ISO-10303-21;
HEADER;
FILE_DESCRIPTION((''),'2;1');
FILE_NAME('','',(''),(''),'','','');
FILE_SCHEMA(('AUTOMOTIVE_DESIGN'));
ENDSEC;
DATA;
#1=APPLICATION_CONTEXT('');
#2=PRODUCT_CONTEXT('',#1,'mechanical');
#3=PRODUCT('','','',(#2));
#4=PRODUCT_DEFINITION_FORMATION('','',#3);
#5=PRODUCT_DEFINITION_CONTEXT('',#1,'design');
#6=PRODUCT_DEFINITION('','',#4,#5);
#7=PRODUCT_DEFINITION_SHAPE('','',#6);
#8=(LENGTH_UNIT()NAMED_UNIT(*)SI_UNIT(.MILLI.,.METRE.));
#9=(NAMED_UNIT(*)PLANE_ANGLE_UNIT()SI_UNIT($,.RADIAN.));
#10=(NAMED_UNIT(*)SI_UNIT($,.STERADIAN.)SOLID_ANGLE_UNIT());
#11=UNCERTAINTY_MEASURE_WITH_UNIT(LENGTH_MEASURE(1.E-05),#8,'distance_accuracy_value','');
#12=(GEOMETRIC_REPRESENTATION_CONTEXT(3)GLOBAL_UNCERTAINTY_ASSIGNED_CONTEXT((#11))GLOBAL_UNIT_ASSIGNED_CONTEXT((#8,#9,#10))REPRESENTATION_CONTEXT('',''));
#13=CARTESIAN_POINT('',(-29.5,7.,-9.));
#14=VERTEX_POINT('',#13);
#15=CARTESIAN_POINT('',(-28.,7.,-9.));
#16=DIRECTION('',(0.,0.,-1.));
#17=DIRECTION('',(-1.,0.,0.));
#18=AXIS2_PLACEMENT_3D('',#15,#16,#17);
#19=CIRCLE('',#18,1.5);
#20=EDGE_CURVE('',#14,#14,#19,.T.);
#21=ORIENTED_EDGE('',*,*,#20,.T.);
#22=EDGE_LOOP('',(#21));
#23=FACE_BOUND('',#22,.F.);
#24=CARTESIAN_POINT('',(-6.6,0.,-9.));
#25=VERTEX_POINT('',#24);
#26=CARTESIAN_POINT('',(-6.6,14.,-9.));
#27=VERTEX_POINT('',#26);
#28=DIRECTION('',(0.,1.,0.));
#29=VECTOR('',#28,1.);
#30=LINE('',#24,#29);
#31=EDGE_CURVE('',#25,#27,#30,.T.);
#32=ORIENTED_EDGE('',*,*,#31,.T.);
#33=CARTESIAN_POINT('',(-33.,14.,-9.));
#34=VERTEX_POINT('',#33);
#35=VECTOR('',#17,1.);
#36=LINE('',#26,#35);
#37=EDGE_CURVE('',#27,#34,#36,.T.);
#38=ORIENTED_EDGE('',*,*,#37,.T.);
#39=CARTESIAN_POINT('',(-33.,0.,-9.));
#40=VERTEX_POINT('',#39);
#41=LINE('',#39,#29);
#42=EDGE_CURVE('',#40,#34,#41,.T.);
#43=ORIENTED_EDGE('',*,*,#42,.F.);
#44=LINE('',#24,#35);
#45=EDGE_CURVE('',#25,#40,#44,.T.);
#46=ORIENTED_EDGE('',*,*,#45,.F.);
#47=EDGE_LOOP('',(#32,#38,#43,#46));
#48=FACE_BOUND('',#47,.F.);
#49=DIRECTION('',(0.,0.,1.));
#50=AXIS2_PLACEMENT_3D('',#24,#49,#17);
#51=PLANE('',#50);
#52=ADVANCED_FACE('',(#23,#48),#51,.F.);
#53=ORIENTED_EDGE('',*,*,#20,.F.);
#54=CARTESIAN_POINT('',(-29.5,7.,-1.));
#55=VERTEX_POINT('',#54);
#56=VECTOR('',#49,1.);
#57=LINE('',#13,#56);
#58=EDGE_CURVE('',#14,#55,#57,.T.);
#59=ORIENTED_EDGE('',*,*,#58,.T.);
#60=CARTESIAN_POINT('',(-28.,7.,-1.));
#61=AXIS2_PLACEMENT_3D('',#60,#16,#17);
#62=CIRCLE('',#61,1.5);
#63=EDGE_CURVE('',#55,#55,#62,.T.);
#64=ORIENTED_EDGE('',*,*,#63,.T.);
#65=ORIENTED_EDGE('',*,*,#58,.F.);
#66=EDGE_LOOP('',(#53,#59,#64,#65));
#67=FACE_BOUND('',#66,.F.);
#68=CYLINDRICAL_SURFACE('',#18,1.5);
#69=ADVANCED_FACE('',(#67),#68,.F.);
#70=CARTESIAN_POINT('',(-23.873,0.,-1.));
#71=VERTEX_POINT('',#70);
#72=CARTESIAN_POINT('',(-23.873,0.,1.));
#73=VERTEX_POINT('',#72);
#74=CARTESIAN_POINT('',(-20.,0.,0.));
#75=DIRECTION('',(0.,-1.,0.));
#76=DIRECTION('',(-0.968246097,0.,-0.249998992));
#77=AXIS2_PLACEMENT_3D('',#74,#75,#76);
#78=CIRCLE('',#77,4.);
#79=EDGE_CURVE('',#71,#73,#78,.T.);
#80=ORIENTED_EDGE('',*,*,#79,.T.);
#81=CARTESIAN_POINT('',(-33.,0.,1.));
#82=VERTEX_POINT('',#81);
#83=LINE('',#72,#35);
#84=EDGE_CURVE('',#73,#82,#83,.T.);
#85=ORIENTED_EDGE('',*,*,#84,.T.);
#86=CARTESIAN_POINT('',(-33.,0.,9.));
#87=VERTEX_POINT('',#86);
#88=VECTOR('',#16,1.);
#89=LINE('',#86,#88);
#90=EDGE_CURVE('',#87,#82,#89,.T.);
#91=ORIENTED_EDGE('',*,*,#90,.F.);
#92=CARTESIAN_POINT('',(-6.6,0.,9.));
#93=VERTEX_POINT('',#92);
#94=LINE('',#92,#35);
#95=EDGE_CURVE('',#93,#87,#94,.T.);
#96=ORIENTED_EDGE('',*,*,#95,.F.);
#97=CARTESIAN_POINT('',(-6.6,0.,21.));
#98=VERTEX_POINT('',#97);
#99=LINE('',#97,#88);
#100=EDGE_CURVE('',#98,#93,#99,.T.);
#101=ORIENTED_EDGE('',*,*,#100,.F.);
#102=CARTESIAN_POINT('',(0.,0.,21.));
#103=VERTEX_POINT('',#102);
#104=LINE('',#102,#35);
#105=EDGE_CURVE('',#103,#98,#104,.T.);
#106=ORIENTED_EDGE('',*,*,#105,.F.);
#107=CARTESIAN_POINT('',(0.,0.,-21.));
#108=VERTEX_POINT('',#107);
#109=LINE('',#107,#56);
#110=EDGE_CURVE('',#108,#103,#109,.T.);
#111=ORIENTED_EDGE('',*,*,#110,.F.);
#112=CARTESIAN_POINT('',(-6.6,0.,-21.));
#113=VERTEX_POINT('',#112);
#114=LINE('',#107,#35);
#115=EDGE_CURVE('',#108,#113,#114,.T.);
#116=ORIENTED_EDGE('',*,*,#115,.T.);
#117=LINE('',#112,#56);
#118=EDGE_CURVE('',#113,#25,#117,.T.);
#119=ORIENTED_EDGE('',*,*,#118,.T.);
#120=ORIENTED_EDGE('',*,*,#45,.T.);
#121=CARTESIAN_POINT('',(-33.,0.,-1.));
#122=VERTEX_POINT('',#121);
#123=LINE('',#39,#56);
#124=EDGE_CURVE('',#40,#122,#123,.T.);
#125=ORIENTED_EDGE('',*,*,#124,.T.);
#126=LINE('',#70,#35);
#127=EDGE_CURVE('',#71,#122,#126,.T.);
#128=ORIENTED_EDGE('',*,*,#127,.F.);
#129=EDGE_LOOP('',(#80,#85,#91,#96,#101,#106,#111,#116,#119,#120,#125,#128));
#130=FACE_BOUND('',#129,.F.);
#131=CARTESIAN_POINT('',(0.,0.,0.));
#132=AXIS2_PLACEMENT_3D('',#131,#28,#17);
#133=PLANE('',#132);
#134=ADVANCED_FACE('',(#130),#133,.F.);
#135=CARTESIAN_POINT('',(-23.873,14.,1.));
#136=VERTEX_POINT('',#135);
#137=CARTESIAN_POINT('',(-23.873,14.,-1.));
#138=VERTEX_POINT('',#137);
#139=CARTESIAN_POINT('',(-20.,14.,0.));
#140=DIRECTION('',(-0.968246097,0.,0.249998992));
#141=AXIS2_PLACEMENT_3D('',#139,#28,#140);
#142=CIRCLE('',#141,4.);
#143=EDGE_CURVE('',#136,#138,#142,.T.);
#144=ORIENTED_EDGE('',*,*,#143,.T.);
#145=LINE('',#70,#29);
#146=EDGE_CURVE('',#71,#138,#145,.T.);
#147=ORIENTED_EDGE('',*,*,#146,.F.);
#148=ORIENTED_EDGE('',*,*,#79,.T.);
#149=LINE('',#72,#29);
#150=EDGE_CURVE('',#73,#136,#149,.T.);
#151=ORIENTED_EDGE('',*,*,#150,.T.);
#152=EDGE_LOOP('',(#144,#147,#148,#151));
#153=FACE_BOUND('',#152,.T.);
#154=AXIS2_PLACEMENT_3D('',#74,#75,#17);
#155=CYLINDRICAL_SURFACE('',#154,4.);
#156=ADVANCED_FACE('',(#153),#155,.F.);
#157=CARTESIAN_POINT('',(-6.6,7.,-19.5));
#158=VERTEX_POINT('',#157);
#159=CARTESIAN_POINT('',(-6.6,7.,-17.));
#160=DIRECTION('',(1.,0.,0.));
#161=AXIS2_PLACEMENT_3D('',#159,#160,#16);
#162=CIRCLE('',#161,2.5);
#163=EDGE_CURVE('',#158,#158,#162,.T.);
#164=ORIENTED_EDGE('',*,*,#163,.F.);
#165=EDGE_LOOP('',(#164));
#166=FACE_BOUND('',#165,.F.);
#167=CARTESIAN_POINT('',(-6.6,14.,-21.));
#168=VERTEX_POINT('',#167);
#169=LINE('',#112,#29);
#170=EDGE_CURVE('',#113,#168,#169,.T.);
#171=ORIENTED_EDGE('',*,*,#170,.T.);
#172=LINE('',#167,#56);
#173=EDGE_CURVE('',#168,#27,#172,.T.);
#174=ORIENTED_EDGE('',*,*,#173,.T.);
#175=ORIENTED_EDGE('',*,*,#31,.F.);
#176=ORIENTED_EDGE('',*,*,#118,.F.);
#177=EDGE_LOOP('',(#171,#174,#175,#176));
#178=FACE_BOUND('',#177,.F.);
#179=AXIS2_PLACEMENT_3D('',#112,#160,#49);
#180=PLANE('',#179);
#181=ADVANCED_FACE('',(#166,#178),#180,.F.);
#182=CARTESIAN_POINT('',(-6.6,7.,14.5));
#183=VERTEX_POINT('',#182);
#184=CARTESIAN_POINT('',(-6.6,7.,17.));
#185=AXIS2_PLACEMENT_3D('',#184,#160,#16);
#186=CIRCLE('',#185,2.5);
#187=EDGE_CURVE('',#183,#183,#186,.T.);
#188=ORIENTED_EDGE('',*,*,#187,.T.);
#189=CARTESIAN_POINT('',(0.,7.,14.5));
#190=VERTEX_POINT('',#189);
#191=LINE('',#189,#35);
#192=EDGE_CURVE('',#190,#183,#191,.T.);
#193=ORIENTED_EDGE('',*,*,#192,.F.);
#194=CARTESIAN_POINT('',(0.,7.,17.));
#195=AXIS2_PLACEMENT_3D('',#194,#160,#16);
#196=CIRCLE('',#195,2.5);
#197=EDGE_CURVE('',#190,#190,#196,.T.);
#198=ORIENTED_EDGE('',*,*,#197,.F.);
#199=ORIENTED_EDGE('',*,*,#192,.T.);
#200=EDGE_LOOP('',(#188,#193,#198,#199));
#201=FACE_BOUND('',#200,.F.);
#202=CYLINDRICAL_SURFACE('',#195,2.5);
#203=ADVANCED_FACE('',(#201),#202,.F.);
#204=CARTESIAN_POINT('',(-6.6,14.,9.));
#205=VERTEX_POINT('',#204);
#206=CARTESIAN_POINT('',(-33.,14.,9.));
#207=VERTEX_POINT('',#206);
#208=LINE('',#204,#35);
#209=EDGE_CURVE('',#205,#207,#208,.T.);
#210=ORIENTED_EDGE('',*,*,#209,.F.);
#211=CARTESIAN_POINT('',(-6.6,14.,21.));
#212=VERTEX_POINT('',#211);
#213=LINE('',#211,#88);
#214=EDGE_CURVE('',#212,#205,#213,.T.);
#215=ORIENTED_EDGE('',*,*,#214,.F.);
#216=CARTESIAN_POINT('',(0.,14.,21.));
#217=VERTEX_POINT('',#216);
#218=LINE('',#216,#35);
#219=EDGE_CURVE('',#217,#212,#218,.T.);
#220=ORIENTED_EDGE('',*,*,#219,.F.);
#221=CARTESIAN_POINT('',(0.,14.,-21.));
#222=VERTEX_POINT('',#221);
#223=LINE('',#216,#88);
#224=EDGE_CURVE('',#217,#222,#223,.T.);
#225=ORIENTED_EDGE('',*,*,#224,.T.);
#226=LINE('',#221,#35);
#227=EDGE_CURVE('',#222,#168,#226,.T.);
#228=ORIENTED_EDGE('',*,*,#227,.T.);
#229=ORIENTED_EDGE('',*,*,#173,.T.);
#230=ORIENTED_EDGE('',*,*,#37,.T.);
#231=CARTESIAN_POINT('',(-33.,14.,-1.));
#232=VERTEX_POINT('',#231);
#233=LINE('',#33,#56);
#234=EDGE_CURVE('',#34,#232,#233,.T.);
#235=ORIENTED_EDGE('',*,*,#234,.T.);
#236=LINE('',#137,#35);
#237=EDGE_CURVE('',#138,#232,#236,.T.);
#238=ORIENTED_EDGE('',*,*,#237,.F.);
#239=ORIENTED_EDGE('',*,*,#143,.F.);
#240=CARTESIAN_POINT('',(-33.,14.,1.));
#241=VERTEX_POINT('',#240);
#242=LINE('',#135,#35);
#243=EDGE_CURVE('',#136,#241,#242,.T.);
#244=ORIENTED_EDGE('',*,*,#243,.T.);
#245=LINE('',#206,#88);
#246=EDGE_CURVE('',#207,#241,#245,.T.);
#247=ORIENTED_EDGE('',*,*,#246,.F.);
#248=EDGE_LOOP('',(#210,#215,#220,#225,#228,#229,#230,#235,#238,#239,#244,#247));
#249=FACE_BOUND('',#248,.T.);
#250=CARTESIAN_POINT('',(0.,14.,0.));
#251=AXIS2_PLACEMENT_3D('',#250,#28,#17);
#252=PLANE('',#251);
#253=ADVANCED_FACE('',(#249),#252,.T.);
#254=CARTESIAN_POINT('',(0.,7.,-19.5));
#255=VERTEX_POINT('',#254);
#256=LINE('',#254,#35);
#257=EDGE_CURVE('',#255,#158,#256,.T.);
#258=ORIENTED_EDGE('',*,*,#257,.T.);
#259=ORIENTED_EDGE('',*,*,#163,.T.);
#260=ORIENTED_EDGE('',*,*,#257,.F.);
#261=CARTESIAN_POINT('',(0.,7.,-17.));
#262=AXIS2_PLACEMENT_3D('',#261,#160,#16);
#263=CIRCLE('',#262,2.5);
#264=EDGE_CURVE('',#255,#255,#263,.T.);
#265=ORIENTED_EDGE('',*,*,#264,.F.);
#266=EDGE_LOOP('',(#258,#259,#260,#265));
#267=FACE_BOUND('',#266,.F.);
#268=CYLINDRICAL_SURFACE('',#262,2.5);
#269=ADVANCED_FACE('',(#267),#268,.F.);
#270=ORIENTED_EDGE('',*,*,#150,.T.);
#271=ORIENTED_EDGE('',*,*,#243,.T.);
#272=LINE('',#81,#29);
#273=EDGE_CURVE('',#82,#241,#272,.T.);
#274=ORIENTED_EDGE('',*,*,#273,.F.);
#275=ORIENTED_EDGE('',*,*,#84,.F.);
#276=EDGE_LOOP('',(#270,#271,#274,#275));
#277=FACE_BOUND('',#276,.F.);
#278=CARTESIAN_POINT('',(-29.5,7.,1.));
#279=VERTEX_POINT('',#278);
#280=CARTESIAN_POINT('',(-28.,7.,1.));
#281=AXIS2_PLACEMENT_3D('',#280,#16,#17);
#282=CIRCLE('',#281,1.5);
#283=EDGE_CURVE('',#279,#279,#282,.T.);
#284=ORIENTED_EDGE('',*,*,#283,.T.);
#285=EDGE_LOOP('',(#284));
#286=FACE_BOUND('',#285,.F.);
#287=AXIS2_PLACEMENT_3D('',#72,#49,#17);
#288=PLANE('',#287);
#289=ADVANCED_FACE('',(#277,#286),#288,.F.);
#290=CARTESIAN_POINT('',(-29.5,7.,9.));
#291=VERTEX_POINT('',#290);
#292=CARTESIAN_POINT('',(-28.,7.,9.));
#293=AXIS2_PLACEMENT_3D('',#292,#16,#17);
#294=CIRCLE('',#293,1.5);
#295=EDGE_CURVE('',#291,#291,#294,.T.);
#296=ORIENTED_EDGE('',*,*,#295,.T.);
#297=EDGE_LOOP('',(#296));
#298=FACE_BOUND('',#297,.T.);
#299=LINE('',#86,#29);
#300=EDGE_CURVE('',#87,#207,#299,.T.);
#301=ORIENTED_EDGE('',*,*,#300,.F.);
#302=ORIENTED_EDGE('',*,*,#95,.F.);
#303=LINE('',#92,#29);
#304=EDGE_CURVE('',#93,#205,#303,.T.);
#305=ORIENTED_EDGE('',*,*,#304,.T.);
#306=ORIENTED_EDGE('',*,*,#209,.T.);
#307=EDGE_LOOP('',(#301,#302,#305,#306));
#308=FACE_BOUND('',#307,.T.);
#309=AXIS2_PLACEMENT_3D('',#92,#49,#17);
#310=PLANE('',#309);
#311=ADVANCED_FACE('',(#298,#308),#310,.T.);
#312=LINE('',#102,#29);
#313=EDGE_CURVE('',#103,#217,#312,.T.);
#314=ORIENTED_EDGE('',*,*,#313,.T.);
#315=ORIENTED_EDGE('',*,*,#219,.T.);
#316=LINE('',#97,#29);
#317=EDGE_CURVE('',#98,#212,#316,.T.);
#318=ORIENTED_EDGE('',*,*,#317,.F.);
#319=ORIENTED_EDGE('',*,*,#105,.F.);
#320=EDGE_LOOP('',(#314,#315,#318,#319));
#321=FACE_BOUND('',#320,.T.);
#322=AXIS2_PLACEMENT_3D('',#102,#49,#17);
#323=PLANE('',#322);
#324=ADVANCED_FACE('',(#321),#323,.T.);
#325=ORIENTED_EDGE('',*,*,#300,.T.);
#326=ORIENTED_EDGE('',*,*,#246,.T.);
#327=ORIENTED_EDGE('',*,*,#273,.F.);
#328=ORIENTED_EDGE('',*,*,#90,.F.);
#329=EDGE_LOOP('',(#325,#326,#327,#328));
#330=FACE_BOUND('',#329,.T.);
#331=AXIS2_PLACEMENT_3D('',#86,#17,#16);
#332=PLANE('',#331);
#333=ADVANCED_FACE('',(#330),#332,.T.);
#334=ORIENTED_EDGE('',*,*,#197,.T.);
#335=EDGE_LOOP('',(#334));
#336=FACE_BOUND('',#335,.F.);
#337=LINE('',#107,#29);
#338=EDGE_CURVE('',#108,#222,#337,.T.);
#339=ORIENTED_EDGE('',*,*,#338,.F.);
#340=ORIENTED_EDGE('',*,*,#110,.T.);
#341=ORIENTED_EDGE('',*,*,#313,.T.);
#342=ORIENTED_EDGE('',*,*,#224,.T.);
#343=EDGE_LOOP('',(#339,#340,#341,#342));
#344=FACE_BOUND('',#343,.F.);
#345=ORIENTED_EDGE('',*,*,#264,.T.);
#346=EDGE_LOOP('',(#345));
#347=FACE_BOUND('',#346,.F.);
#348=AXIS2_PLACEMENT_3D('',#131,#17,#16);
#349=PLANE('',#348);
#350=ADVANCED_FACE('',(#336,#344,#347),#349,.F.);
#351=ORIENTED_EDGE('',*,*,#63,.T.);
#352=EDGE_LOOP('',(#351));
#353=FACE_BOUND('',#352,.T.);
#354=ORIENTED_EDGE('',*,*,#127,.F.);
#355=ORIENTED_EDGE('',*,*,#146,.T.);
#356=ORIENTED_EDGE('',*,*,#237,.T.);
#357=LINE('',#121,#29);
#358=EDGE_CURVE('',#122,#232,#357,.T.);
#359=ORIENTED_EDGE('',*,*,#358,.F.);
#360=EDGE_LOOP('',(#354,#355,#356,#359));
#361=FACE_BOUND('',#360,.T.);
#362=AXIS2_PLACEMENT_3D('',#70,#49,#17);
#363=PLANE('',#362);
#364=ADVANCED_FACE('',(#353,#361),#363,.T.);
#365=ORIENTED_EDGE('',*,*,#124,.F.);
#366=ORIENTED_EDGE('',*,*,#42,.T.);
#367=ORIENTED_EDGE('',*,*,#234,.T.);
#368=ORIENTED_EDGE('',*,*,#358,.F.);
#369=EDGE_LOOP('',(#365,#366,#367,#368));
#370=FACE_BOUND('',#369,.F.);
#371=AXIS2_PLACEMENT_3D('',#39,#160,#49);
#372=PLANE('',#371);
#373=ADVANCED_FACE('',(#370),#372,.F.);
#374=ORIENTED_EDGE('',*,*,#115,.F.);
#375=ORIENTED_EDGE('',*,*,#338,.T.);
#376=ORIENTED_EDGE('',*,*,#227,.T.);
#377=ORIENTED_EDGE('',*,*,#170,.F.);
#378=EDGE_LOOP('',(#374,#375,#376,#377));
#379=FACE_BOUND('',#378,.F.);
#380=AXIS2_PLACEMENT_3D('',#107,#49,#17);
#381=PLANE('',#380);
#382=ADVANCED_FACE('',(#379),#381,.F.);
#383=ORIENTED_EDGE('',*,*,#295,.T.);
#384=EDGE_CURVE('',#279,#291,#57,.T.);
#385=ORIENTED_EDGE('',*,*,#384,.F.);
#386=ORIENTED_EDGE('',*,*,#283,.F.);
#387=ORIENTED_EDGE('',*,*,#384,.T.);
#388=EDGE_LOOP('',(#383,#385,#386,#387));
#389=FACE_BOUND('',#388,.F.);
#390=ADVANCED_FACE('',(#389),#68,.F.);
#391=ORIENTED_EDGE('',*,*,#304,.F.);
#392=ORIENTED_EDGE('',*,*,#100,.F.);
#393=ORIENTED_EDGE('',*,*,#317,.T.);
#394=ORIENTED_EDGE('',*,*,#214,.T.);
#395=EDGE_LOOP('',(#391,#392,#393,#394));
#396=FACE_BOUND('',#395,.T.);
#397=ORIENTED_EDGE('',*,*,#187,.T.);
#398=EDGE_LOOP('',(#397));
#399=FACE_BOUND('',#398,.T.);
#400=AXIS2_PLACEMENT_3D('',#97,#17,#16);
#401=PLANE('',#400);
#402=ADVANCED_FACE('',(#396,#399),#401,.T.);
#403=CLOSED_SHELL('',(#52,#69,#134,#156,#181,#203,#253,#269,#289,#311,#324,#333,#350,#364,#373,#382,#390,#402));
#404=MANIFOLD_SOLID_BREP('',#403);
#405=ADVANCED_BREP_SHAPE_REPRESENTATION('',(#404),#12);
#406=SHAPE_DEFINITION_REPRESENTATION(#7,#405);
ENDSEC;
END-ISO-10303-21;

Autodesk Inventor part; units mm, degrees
ref_plane "YZ Plane" through (0, 0, 0) normal (1, 0, 0) x (0, 1, 0)
ref_plane "XZ Plane" through (0, 0, 0) normal (0, 1, 0) x (-1, 0, 0)
ref_plane "XY Plane" through (0, 0, 0) normal (0, 0, 1) x (1, 0, 0)
sketch "Sketch1" plane through (0, 0, 0) normal (0, 1, 0) x (-1, 0, 0)
  line L0 (16, 0) -> (0, 0)
  line L1 (0, 0) -> (0, -21)
  line L2 (0, -21) -> (6.6, -21)
  line L3 (6.6, -21) -> (6.6, -9)
  line L4 (6.6, -9) -> (33, -9)
  line L5 (33, -9) -> (33, -1)
  circle A0 centre (20, 0) radius 4
  line L6 (23.873, -1) -> (33, -1)
  line L7 (0, 0) -> (0, 21)
  line L8 (0, 21) -> (6.6, 21)
  line L9 (6.6, 21) -> (6.6, 9)
  line L10 (6.6, 9) -> (33, 9)
  line L11 (33, 9) -> (33, 1)
  circle A1 centre (20, 0) radius 4
  line L12 (23.873, 1) -> (33, 1)
  dimension "d0" = 6.6
  dimension "d1" = 21
  dimension "d2" = 1
  dimension "d3" = 9
  dimension "d4" = 8
  dimension "d5" = 33
  dimension "d19" = 20
extrude "Extrusion1" add sketch "Sketch1" along normal blind 14 contours A0 L6 L5 L4 L3 L2 L1 L0 | L0 L7 L8 L9 L10 L11 L12 A0
sketch "Sketch2" plane through (0, 0, 21) normal (1, 0, 0) x (0, 0, -1)
  circle A0 centre (38, 7) radius 2.5
  line L0 (21, 26.3461) -> (21, -5.4737) construction
  line L1 (0, 14) -> (42, 14) projected
  line L2 (42, 0) -> (42, 14) projected
  circle A1 centre (4, 7) radius 2.5
  point P0 (21, 0)
  point P1 (21, 14)
  point P2 (42, 7)
  dimension "d10" = 5
  dimension "d14" = 4
extrude "Extrusion2" cut sketch "Sketch2" against normal blind 14
sketch "Sketch3" plane through (-6.6, 0, -9) normal (0, 0, -1) x (-1, 0, 0)
  circle A0 centre (21.4, 7) radius 1.5
  line L0 (26.4, 0) -> (26.4, 14) projected
  point P0 (-6.6, 0)
  point P1 (26.4, 7)
  dimension "d15" = 3
  dimension "d16" = 5
extrude "Extrusion3" cut sketch "Sketch3" against normal up to surface (18 mm away)
equation "\"d17\" = d15"
properties part number "Shaft support - Stock"
